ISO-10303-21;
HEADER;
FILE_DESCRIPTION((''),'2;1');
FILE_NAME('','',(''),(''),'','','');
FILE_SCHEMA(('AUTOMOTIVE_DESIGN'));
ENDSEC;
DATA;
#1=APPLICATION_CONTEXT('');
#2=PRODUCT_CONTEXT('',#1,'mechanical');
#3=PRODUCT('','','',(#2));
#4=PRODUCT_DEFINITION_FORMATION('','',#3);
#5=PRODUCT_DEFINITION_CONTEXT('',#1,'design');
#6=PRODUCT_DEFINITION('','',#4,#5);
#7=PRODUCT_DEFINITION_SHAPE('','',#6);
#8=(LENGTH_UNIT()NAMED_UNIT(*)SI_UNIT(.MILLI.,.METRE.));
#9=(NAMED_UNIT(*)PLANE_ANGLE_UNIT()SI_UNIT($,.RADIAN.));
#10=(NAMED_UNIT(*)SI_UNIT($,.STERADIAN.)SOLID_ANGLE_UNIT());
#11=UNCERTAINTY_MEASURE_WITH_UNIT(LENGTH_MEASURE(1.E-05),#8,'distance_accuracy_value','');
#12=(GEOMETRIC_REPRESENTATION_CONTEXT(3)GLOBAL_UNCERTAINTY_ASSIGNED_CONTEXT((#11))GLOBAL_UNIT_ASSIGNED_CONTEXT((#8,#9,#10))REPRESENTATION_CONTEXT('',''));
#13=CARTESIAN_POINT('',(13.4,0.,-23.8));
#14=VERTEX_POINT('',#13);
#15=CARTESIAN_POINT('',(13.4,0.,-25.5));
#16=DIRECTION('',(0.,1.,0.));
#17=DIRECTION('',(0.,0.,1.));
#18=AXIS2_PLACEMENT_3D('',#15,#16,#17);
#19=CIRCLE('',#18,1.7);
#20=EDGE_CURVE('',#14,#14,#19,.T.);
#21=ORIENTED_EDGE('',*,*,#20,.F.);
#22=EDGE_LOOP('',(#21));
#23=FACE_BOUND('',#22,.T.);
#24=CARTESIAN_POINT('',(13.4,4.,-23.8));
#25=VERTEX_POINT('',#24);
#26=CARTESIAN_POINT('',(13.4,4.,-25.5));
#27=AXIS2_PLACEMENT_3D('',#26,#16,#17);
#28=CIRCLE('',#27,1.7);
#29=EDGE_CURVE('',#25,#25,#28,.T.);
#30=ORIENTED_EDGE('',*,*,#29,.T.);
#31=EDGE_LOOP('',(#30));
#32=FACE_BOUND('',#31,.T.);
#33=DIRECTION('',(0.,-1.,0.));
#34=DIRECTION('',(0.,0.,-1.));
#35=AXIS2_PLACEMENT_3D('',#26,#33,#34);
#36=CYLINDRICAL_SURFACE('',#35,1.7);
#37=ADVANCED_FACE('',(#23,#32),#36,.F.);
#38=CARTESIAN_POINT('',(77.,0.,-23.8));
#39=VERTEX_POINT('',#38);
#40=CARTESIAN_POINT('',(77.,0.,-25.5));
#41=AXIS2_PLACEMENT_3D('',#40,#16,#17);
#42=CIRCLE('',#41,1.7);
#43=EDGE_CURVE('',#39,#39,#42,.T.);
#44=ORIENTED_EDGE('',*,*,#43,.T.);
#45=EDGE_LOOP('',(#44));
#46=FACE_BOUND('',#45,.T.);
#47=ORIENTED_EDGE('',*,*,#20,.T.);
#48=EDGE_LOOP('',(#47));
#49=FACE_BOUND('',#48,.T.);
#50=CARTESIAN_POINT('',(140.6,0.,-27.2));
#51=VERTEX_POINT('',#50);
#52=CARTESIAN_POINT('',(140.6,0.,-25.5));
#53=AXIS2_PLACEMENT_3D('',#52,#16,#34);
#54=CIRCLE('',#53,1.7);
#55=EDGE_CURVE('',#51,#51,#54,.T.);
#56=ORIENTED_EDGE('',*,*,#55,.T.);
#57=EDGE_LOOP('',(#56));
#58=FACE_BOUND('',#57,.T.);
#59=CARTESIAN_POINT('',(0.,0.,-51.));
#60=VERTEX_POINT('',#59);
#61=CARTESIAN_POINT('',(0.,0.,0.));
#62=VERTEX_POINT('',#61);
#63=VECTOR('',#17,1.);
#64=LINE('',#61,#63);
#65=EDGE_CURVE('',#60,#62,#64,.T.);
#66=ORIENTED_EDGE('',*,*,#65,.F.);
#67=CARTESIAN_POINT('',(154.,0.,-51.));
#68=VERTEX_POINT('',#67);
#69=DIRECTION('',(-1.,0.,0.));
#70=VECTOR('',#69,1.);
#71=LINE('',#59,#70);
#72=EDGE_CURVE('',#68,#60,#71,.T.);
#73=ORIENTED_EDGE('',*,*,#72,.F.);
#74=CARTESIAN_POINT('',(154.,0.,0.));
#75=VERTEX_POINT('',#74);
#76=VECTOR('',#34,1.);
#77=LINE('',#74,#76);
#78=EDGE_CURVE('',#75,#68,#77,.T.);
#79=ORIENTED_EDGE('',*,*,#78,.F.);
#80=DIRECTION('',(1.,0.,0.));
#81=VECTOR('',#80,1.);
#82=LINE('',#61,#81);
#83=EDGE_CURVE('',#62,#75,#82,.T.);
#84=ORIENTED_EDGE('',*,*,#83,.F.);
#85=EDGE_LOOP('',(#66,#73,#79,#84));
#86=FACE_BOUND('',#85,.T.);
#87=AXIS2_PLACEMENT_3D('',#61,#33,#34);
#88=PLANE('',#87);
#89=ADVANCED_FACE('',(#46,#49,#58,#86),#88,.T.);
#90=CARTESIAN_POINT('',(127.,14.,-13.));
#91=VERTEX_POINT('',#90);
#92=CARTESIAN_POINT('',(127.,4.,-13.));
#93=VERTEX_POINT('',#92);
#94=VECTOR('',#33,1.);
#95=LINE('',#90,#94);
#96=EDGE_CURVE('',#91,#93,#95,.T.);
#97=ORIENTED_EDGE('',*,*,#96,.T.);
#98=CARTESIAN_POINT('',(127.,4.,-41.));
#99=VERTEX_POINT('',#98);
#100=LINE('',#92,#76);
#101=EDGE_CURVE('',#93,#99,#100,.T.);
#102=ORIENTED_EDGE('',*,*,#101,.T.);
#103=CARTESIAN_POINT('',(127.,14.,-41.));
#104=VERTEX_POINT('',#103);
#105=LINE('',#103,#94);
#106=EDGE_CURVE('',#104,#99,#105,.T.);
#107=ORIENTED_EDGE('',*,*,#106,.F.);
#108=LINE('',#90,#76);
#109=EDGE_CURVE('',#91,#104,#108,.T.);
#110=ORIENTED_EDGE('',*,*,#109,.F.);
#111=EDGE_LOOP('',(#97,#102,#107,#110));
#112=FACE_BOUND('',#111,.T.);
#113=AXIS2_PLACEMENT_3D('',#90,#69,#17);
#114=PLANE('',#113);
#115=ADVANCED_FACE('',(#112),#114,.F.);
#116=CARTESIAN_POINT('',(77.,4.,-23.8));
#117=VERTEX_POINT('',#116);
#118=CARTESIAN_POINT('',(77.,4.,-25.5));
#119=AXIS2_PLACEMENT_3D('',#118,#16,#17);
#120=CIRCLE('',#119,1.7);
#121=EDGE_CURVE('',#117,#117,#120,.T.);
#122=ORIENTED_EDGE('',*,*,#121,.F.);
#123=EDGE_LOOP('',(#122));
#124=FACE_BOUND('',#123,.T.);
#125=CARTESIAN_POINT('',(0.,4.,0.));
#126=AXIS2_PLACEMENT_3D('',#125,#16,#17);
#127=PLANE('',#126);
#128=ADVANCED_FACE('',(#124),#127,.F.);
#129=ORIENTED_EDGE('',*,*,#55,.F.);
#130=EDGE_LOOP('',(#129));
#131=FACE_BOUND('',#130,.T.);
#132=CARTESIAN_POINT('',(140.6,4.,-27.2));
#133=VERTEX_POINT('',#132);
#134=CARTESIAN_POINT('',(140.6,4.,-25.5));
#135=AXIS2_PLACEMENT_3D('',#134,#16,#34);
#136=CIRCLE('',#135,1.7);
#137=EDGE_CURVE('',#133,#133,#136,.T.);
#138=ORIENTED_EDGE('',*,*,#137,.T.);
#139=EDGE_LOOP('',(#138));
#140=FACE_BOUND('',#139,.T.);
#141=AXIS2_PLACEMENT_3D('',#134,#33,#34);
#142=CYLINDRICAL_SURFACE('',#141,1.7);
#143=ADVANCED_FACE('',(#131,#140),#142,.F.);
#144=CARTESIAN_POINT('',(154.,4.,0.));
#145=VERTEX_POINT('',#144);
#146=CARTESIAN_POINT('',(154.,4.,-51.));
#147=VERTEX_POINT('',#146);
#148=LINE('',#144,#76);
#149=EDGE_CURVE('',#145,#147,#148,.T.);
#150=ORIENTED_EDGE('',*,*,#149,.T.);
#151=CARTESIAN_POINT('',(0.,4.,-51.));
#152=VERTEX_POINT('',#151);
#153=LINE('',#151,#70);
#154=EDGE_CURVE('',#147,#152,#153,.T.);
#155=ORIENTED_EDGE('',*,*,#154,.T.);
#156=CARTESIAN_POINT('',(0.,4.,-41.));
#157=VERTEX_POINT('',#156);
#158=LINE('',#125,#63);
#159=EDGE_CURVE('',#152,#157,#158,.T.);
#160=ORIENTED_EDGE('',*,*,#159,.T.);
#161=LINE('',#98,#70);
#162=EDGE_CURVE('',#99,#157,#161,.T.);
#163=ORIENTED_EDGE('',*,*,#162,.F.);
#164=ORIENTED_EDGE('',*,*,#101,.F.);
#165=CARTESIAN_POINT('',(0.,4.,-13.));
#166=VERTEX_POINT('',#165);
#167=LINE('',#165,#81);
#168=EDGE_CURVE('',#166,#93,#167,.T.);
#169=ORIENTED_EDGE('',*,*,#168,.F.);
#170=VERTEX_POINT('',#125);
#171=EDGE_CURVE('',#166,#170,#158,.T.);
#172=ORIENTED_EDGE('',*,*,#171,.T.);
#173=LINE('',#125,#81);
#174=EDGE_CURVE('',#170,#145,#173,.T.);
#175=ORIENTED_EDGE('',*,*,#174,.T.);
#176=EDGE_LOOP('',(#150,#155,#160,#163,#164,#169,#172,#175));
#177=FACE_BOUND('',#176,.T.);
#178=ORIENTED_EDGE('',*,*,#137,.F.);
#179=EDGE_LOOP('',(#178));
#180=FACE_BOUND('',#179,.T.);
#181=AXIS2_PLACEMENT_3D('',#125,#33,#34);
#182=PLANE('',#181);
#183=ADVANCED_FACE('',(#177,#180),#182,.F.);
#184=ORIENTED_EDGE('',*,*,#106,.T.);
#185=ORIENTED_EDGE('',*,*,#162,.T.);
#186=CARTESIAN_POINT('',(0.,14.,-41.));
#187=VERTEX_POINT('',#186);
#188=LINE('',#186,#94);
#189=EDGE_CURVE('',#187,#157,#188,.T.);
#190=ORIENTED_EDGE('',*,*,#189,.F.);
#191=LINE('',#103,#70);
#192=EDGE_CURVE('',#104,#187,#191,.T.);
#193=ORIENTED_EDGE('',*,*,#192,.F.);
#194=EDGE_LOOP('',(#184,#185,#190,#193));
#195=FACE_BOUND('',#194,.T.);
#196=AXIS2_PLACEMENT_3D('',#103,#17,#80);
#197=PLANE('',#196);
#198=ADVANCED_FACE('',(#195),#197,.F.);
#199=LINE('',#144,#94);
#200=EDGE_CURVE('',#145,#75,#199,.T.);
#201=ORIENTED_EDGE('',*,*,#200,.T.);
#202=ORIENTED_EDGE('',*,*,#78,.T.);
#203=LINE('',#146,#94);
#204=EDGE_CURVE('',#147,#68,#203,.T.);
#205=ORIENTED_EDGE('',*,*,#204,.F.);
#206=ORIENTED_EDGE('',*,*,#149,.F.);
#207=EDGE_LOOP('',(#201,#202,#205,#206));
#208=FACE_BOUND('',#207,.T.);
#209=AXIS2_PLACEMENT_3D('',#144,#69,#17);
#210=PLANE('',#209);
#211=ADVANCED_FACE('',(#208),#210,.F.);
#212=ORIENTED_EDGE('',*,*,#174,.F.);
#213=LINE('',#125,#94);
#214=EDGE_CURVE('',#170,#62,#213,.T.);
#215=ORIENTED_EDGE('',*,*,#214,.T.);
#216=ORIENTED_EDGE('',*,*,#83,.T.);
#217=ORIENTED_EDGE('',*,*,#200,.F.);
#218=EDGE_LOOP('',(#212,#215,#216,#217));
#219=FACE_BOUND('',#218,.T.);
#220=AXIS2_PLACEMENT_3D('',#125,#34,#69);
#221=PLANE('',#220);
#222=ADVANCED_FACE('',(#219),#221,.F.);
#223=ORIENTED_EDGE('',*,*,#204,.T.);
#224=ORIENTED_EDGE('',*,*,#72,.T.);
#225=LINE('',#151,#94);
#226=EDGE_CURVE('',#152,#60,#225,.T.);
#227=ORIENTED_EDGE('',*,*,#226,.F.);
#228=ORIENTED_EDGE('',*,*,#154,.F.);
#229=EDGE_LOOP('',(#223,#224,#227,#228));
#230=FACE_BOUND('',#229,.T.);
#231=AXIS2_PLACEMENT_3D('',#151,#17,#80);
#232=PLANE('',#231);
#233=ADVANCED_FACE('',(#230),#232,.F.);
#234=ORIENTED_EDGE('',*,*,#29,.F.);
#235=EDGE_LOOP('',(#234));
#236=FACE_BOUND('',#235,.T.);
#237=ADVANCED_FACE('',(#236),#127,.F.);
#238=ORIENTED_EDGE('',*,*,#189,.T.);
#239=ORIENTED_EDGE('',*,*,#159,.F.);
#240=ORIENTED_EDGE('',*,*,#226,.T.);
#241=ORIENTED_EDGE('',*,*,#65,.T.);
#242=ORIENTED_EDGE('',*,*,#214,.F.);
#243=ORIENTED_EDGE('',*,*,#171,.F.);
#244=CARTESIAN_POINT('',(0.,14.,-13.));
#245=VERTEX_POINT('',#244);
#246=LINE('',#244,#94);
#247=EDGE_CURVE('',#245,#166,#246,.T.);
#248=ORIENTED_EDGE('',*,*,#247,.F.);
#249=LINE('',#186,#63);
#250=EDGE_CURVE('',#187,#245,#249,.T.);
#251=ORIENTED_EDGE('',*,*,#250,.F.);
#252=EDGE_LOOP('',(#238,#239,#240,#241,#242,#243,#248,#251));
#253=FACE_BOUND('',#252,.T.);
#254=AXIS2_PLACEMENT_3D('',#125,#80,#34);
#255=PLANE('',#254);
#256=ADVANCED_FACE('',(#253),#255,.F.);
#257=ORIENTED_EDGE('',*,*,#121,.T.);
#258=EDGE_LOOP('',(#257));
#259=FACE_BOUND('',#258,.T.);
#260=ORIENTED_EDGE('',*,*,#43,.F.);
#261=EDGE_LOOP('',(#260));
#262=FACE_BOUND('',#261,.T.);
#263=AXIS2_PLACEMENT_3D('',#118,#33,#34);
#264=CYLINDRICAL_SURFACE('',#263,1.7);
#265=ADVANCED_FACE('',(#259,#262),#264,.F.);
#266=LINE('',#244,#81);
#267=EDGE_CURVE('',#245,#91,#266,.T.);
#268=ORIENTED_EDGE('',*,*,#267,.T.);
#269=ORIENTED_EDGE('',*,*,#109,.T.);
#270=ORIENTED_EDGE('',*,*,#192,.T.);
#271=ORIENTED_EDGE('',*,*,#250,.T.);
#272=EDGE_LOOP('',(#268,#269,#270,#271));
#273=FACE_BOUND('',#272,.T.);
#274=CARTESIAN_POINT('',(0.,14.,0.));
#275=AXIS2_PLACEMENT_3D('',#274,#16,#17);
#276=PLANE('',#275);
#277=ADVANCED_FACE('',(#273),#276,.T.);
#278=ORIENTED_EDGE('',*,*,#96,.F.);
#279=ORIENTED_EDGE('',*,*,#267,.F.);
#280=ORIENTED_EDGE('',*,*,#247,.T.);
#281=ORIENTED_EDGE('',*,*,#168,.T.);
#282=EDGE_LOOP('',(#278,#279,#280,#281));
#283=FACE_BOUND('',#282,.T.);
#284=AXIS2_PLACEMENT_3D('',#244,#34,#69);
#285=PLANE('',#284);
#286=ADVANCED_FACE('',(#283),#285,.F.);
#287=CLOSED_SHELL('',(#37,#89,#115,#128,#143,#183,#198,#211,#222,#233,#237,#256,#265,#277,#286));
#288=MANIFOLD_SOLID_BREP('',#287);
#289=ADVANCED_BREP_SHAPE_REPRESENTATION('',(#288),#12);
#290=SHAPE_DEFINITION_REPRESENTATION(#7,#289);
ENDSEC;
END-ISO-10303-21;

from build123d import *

# Parameters (mm, degrees)
SKETCH1_W           = 154
SKETCH1_H           = 51
SKETCH1_R           = 1.7
BOSS_EXTRUDE1_DEPTH = 4
SKETCH2_W           = 127
SKETCH2_H           = 28
BOSS_EXTRUDE2_DEPTH = 10


with BuildPart() as part:
    # Sketch1 → Boss-Extrude1 (new body)
    with BuildSketch(Plane(origin=(0, 0, 0), x_dir=(1, 0, 0), z_dir=(0, 1, 0))):
        with Locations((77, 25.5)):
            Rectangle(SKETCH1_W, SKETCH1_H)
        with Locations(Location((77, 25.5, 0), (0, 0, 270))):
            Circle(SKETCH1_R, mode=Mode.SUBTRACT)
        with Locations(Location((13.4, 25.5, 0), (0, 0, 270))):
            Circle(SKETCH1_R, mode=Mode.SUBTRACT)
        with Locations(Location((140.6, 25.5, 0), (0, 0, 90))):
            Circle(SKETCH1_R, mode=Mode.SUBTRACT)
    extrude(amount=BOSS_EXTRUDE1_DEPTH)

    # Sketch2 → Boss-Extrude2 (add)
    with BuildSketch(Plane(origin=(0, 4, 0), x_dir=(1, 0, 0), z_dir=(0, 1, 0))):
        with Locations((63.5, 27)):
            Rectangle(SKETCH2_W, SKETCH2_H)
    extrude(amount=BOSS_EXTRUDE2_DEPTH)


solid = part.part
